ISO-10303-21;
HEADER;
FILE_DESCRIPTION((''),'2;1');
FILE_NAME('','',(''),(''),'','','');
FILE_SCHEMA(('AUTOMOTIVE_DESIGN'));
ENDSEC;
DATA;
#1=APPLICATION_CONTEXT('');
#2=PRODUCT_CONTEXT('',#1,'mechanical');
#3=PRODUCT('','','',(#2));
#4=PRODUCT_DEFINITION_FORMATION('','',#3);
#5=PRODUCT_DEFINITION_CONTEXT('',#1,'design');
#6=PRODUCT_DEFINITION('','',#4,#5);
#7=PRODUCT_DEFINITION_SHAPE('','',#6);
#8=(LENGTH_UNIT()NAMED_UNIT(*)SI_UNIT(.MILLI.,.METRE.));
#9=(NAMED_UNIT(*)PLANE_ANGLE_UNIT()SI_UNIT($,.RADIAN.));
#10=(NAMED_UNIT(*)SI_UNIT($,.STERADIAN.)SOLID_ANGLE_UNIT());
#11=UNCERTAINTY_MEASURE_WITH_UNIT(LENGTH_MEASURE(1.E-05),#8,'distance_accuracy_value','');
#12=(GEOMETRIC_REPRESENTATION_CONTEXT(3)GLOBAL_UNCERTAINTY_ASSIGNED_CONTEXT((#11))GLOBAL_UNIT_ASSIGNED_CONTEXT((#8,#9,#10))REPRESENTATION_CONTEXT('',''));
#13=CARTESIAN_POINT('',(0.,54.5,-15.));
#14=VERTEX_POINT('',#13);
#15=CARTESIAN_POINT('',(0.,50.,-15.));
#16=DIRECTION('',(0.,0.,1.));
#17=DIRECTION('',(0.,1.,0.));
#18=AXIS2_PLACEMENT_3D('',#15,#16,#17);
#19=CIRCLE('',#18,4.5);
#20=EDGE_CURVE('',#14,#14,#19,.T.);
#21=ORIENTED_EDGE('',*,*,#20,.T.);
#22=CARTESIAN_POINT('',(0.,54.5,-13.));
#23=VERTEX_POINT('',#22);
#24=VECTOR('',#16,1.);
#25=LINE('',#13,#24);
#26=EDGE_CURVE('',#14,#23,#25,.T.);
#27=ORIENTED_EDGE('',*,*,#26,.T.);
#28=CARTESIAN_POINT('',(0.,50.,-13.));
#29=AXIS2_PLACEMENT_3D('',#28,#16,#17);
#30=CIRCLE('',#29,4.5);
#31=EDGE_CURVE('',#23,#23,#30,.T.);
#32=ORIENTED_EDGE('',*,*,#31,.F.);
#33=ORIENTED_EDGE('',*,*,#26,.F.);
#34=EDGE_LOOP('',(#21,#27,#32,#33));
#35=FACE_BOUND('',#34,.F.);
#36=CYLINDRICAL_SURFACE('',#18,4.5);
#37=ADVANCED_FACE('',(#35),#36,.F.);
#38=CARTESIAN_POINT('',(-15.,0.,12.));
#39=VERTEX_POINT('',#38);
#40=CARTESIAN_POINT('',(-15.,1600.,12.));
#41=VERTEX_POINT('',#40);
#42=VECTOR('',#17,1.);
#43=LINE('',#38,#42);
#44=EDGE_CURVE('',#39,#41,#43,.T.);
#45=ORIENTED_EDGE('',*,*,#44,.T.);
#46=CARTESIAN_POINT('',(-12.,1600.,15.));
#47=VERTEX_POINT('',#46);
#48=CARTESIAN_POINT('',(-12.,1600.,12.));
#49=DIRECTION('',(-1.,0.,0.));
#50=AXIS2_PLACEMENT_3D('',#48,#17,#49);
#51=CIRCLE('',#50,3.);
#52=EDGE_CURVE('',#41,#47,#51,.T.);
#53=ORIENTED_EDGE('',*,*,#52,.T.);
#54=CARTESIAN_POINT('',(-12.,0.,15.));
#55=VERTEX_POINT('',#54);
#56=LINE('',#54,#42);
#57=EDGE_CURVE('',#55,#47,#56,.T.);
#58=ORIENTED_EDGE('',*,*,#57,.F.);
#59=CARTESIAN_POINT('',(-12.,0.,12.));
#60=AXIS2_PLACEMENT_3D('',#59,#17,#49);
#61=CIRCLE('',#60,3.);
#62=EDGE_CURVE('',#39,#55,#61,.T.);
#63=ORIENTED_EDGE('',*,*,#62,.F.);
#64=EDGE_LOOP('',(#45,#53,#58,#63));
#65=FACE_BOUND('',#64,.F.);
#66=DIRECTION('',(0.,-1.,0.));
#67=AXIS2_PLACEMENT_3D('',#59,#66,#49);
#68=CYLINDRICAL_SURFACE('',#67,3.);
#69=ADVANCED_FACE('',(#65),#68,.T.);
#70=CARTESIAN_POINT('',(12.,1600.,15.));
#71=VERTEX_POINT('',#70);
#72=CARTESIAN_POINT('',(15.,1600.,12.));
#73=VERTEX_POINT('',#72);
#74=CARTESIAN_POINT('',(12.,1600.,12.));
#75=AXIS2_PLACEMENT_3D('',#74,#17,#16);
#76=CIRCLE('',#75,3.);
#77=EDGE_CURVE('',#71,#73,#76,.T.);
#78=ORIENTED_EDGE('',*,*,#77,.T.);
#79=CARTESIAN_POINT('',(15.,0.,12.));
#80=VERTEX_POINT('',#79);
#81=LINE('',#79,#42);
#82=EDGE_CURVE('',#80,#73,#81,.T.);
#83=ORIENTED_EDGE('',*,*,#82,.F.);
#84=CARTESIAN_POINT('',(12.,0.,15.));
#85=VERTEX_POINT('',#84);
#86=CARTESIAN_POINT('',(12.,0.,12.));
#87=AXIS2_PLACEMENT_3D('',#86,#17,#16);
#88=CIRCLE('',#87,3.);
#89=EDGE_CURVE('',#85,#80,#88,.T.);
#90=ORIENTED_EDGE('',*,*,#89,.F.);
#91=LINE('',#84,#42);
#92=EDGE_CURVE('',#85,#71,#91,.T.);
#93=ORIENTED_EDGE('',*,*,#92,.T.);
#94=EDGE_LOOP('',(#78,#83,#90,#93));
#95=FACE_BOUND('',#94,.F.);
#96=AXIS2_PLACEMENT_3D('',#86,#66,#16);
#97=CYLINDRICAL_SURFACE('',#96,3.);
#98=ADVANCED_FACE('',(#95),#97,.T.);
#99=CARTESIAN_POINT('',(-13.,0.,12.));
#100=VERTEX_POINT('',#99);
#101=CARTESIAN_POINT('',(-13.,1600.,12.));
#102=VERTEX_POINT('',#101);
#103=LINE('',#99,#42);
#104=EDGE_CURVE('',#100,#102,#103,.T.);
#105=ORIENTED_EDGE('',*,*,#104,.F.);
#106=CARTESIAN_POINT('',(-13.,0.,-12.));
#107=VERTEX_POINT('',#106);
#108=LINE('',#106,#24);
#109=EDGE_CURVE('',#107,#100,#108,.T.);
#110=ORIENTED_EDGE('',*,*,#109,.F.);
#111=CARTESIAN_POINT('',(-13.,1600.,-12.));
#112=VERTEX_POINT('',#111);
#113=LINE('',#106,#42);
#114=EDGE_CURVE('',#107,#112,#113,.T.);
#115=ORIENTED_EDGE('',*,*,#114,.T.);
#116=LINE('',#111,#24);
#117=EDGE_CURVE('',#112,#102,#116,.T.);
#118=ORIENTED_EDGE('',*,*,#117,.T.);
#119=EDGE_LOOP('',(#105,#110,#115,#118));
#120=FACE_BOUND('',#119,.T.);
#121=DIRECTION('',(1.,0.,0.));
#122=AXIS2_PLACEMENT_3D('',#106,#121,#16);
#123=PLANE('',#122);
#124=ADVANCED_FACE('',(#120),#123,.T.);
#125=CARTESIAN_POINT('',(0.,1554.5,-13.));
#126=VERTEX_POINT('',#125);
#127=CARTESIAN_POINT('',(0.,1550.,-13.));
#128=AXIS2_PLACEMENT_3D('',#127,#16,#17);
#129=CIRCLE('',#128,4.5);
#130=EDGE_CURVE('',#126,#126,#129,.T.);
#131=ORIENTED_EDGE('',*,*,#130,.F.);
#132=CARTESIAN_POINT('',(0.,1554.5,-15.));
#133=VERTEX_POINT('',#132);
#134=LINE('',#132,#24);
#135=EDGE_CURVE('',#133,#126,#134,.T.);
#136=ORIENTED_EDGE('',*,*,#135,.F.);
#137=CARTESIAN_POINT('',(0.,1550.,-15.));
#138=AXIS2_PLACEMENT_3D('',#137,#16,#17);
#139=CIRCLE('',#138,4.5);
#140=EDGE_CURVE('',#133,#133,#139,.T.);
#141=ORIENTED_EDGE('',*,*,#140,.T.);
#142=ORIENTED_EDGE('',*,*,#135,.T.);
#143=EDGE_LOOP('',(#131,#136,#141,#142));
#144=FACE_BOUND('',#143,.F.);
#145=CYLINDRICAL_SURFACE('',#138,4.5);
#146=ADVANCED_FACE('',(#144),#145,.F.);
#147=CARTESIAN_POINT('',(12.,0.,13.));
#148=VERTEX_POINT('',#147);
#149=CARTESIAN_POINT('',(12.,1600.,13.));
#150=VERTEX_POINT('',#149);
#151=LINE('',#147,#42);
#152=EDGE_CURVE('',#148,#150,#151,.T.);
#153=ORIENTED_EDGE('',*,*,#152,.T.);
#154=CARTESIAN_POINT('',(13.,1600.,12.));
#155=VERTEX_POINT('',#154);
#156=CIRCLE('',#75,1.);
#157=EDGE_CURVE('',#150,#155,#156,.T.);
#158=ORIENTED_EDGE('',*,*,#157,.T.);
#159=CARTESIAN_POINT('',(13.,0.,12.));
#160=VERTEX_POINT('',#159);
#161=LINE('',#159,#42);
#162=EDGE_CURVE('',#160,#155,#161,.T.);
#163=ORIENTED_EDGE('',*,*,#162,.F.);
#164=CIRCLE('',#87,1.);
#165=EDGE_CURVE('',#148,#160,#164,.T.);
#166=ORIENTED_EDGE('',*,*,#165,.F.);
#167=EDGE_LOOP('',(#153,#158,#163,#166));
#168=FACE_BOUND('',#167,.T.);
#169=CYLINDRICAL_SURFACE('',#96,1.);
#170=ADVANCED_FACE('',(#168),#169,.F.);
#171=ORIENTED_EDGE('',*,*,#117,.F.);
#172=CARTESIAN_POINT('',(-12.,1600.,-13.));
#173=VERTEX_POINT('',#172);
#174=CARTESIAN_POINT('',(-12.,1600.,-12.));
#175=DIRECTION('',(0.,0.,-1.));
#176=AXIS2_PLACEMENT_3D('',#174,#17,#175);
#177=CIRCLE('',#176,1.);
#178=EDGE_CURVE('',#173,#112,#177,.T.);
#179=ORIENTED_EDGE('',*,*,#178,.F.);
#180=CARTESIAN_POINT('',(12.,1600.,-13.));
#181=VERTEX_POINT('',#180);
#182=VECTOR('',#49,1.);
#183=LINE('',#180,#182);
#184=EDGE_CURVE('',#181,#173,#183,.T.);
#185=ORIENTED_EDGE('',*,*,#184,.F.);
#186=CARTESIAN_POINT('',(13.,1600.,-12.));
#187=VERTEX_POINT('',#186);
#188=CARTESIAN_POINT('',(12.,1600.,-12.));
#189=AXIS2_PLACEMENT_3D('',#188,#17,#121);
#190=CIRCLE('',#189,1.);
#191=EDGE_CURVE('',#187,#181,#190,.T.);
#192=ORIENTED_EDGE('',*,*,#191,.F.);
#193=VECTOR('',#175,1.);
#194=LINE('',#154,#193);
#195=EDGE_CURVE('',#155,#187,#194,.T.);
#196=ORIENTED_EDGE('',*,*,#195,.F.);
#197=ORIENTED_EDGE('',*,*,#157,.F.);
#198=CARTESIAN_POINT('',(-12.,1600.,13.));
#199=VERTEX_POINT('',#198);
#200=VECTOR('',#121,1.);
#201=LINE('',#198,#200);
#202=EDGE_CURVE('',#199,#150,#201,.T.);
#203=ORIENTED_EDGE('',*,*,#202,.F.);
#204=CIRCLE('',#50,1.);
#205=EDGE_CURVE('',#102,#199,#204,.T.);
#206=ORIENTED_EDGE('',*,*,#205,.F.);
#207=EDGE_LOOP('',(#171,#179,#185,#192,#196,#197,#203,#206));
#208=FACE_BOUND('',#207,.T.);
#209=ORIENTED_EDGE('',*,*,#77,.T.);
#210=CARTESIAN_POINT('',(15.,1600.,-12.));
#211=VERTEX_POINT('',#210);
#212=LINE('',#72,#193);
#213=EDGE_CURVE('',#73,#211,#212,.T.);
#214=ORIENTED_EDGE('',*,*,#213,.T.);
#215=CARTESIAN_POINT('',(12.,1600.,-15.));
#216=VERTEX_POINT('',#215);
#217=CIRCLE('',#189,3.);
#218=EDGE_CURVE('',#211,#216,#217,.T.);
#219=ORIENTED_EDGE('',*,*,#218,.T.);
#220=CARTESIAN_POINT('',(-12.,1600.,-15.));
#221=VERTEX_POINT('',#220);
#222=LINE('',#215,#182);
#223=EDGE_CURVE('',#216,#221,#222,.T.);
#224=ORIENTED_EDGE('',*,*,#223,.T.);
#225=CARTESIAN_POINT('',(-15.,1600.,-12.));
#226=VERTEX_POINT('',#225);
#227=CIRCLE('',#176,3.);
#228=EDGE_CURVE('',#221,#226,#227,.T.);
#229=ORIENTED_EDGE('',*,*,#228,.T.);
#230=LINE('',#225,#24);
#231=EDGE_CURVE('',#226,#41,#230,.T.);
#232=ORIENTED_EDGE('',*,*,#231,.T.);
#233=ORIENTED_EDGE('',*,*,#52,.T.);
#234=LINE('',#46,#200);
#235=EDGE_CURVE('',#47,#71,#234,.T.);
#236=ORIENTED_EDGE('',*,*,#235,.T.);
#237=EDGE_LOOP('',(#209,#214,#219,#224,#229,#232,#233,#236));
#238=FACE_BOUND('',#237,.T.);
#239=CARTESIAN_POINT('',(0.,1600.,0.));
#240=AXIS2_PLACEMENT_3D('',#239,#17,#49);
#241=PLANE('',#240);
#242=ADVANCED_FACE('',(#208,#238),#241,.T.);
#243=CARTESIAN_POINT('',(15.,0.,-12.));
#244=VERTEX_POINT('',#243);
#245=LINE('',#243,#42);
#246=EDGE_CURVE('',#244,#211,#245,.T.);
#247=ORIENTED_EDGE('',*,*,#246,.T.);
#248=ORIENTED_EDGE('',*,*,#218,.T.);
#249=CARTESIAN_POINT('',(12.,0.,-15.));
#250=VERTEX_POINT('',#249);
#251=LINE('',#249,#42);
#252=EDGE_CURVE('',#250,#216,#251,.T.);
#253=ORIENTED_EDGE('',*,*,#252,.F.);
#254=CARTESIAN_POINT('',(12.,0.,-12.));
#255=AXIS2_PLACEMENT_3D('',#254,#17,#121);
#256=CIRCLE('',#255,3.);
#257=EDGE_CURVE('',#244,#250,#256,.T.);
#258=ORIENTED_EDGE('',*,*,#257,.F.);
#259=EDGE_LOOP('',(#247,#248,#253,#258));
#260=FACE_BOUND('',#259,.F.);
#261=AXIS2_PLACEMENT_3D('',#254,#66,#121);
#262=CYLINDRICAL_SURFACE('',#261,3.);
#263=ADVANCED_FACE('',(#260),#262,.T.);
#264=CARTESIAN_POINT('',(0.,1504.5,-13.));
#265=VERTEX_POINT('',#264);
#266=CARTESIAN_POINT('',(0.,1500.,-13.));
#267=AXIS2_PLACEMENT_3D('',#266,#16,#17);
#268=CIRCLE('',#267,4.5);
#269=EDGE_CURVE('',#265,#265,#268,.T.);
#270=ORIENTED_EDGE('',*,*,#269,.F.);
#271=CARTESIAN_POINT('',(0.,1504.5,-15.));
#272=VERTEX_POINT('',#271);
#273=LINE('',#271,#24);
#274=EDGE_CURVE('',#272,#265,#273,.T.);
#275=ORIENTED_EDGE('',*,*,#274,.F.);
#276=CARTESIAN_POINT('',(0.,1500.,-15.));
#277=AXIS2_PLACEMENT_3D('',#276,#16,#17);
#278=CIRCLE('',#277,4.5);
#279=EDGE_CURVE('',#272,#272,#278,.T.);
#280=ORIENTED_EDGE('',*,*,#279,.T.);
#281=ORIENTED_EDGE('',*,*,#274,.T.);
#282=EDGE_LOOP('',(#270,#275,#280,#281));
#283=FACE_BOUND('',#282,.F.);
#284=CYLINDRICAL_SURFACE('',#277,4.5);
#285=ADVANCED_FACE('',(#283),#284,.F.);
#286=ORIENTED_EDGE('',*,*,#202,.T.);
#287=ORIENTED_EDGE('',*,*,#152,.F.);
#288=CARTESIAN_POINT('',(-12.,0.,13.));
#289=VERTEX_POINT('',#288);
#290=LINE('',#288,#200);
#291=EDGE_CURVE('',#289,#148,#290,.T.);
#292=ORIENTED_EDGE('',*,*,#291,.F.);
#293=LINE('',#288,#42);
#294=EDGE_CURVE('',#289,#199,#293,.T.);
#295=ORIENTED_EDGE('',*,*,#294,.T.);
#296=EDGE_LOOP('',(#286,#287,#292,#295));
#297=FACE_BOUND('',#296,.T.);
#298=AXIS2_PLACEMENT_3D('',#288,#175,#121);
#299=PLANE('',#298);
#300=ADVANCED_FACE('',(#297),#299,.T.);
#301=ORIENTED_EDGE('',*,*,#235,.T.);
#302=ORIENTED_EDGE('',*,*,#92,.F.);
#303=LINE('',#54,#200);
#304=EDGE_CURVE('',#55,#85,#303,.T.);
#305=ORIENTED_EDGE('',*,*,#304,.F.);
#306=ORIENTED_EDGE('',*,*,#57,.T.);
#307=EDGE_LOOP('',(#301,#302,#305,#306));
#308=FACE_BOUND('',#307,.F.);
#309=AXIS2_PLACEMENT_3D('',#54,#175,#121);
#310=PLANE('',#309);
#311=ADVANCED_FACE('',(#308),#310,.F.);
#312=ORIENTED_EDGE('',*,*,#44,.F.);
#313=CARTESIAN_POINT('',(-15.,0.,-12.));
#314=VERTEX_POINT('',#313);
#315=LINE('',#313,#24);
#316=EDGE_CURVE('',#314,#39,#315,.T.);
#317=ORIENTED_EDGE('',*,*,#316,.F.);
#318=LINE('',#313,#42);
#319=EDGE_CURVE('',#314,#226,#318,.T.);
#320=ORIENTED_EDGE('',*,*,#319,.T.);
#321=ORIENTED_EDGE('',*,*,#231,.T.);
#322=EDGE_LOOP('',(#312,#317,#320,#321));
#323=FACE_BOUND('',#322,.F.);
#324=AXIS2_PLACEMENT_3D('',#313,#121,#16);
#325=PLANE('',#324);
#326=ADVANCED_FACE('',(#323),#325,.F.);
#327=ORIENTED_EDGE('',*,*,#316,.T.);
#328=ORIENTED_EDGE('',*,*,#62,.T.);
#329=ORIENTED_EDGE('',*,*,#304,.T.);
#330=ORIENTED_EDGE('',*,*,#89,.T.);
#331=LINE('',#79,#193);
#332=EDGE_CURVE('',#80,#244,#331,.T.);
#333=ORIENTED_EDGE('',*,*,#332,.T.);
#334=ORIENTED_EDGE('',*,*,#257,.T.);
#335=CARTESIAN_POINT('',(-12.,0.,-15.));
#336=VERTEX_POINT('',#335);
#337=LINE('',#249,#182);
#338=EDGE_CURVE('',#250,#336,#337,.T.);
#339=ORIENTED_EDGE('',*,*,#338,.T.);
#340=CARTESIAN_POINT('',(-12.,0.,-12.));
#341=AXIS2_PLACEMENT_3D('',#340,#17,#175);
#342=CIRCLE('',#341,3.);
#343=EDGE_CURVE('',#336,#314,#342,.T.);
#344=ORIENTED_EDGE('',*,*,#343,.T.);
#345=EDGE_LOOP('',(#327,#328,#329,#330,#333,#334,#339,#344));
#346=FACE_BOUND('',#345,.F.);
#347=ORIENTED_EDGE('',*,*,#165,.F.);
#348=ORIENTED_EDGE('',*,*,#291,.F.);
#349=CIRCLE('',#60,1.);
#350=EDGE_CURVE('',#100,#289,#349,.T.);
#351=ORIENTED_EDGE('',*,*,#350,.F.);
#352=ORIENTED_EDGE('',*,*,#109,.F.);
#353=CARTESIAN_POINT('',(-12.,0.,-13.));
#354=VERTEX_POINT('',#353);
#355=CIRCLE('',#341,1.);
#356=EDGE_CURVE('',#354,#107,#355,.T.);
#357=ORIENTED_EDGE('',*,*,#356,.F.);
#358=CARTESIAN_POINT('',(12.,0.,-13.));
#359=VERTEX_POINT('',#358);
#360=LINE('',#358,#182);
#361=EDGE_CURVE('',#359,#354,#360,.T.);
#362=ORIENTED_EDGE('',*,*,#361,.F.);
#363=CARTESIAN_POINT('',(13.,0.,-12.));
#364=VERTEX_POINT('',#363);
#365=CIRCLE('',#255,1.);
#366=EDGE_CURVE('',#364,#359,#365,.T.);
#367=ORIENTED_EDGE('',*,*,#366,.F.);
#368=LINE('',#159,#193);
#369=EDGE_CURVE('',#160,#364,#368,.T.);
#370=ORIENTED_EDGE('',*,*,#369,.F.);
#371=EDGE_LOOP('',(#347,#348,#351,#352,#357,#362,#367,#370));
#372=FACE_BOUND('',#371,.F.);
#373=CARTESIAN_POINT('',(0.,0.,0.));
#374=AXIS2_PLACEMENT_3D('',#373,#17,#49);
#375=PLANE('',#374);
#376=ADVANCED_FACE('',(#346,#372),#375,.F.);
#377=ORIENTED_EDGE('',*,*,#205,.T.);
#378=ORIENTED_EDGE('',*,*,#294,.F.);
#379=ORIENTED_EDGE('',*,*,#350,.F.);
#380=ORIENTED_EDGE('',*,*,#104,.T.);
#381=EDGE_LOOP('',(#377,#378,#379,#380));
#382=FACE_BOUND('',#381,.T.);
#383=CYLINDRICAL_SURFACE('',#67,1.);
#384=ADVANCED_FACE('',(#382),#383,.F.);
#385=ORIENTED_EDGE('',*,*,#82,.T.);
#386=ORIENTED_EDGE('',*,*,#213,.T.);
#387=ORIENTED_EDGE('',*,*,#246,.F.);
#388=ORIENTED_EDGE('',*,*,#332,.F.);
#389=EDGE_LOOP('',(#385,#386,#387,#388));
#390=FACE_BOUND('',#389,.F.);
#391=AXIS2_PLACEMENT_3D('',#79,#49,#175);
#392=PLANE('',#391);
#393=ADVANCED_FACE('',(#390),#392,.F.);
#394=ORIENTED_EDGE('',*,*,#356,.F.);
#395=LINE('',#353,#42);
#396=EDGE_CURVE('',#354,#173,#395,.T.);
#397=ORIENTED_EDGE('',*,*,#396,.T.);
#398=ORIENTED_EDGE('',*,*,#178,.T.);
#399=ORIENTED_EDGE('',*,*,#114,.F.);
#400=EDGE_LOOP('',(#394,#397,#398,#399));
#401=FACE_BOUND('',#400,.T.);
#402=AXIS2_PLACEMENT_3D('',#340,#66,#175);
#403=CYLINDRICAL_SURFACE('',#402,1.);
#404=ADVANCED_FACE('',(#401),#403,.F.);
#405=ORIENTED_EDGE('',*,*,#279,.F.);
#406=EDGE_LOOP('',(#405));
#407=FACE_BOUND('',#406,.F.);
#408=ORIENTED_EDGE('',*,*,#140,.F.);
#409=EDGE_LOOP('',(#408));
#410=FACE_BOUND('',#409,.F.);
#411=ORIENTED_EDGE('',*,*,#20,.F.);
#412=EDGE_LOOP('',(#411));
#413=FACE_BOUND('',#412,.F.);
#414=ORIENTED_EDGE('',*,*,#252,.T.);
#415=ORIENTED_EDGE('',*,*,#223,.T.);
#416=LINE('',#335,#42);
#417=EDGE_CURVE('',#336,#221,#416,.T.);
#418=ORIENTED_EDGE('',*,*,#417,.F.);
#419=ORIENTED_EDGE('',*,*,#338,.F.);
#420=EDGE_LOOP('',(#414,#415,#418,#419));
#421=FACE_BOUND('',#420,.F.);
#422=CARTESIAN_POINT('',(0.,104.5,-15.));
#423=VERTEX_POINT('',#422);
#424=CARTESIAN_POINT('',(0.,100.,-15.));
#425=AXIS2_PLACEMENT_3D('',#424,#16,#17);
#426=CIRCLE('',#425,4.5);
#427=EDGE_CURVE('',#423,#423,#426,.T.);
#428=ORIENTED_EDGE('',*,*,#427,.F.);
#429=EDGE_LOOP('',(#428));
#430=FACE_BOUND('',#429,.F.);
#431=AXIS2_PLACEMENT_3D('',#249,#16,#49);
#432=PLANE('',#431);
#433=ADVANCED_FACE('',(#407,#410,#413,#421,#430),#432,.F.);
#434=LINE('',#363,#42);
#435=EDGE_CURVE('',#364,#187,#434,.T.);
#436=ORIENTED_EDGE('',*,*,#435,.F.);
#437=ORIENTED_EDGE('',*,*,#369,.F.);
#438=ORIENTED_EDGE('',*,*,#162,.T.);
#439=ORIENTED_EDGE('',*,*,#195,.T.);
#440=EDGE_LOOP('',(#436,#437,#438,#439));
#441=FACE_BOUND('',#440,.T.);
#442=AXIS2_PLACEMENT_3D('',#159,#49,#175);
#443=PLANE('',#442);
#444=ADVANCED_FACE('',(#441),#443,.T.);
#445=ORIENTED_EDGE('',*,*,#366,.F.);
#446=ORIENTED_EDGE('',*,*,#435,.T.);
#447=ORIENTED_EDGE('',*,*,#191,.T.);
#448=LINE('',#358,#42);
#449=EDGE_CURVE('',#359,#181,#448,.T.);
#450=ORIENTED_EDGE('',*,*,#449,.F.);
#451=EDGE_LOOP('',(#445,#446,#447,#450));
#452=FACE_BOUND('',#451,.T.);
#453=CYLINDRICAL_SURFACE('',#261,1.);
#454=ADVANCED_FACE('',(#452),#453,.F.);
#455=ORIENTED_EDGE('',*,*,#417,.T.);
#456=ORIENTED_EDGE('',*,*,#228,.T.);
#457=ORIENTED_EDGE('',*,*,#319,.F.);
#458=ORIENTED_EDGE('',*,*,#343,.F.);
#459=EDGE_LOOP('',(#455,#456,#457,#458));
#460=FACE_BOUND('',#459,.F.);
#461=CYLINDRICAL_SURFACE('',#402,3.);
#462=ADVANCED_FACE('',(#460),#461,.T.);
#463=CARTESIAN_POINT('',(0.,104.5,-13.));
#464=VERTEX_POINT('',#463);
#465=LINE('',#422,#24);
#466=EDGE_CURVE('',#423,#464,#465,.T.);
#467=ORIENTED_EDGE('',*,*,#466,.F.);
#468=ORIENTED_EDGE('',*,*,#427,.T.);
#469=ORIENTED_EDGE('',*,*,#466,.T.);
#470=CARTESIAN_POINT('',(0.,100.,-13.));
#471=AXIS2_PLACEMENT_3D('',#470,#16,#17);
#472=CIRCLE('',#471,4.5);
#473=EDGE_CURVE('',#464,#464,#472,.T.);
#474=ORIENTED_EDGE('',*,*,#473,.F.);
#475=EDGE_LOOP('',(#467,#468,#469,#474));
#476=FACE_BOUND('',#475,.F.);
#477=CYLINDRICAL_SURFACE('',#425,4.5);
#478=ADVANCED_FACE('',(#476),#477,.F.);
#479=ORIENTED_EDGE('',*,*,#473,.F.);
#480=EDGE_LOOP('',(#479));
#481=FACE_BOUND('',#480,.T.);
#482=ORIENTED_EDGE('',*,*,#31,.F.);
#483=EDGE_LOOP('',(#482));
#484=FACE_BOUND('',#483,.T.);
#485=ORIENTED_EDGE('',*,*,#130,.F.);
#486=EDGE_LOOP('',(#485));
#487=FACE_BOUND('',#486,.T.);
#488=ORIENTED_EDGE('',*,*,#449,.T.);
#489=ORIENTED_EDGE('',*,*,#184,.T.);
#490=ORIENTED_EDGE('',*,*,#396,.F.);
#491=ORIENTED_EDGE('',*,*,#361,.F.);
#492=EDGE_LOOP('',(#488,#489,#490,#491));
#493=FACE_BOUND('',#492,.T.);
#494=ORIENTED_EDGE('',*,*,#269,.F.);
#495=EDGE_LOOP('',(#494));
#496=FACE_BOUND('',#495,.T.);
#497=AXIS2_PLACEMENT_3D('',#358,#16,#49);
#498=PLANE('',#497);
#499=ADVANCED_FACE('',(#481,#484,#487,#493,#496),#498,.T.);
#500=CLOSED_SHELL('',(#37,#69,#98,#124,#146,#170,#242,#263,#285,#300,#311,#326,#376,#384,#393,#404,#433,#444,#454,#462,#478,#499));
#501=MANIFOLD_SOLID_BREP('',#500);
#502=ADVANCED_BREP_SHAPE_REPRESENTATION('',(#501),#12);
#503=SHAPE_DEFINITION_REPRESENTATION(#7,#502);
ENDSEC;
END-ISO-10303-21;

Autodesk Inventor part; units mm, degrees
ref_plane "XZ Plane" through (0, 0, 0) normal (0, 1, 0) x (-1, 0, 0)
sketch "Sketch1" plane through (0, 0, 0) normal (0, 1, 0) x (-1, 0, 0)
  line L0 (-12, 14) -> (12, 14) construction
  line L1 (14, 12) -> (14, -12) construction
  line L2 (12, -14) -> (-12, -14) construction
  line L3 (-14, -12) -> (-14, 12) construction
  line L4 (-14, 14) -> (14, -14) construction
  line L5 (14, 14) -> (-14, -14) construction
  arc A0 (14, 12) -> (12, 14) centre (12, 12) ccw construction
  arc A1 (12, -14) -> (14, -12) centre (12, -12) ccw construction
  arc A2 (-14, -12) -> (-12, -14) centre (-12, -12) ccw construction
  arc A3 (-12, 14) -> (-14, 12) centre (-12, 12) ccw construction
  line L6 (-12, -15) -> (12, -15)
  arc A4 (12, -15) -> (15, -12) centre (12, -12) ccw
  line L7 (15, -12) -> (15, 12)
  arc A5 (15, 12) -> (12, 15) centre (12, 12) ccw
  line L8 (12, 15) -> (-12, 15)
  arc A6 (-12, 15) -> (-15, 12) centre (-12, 12) ccw
  line L9 (-15, 12) -> (-15, -12)
  arc A7 (-15, -12) -> (-12, -15) centre (-12, -12) ccw
  line L10 (13, -12) -> (13, 12)
  arc A8 (13, 12) -> (12, 13) centre (12, 12) ccw
  line L11 (12, 13) -> (-12, 13)
  arc A9 (-12, 13) -> (-13, 12) centre (-12, 12) ccw
  line L12 (-13, 12) -> (-13, -12)
  arc A10 (-13, -12) -> (-12, -13) centre (-12, -12) ccw
  line L13 (-12, -13) -> (12, -13)
  arc A11 (12, -13) -> (13, -12) centre (12, -12) ccw
  point P0 (0, 0)
  point P1 (0, 0)
  point P2 (0, 0)
  dimension "d10" = 2
  dimension "depth" = 30
  dimension "width" = 30
  dimension "thickness" = 2
extrude "Extrusion1" add sketch "Sketch1" along normal blind 1600
sketch "Sketch2" plane through (12, 0, -15) normal (0, 0, -1) x (-1, 0, 0)
  line L0 (12, -390) -> (12, 2340) construction
  line L1 (0, 0) -> (24, 0) projected
  line L2 (0, 1600) -> (24, 1600) projected
  point P0 (12, 0)
  point P1 (12, 50)
  point P2 (12, 100)
  point P3 (12, 1550)
  point P4 (12, 1500)
  dimension "d16" = 50
  dimension "d17" = 50
  dimension "d18" = 50
  dimension "d20" = 50
hole "Hole1" at (0, 50, -15) at (0, 100, -15) at (0, 1550, -15) at (0, 1500, -15) direction (0, 0, 1) diameter 9 depth 20.2 tip angle 118
equation "\"d10\" = thickness"
properties part number "Przedluzka L1500" material "Steel"
